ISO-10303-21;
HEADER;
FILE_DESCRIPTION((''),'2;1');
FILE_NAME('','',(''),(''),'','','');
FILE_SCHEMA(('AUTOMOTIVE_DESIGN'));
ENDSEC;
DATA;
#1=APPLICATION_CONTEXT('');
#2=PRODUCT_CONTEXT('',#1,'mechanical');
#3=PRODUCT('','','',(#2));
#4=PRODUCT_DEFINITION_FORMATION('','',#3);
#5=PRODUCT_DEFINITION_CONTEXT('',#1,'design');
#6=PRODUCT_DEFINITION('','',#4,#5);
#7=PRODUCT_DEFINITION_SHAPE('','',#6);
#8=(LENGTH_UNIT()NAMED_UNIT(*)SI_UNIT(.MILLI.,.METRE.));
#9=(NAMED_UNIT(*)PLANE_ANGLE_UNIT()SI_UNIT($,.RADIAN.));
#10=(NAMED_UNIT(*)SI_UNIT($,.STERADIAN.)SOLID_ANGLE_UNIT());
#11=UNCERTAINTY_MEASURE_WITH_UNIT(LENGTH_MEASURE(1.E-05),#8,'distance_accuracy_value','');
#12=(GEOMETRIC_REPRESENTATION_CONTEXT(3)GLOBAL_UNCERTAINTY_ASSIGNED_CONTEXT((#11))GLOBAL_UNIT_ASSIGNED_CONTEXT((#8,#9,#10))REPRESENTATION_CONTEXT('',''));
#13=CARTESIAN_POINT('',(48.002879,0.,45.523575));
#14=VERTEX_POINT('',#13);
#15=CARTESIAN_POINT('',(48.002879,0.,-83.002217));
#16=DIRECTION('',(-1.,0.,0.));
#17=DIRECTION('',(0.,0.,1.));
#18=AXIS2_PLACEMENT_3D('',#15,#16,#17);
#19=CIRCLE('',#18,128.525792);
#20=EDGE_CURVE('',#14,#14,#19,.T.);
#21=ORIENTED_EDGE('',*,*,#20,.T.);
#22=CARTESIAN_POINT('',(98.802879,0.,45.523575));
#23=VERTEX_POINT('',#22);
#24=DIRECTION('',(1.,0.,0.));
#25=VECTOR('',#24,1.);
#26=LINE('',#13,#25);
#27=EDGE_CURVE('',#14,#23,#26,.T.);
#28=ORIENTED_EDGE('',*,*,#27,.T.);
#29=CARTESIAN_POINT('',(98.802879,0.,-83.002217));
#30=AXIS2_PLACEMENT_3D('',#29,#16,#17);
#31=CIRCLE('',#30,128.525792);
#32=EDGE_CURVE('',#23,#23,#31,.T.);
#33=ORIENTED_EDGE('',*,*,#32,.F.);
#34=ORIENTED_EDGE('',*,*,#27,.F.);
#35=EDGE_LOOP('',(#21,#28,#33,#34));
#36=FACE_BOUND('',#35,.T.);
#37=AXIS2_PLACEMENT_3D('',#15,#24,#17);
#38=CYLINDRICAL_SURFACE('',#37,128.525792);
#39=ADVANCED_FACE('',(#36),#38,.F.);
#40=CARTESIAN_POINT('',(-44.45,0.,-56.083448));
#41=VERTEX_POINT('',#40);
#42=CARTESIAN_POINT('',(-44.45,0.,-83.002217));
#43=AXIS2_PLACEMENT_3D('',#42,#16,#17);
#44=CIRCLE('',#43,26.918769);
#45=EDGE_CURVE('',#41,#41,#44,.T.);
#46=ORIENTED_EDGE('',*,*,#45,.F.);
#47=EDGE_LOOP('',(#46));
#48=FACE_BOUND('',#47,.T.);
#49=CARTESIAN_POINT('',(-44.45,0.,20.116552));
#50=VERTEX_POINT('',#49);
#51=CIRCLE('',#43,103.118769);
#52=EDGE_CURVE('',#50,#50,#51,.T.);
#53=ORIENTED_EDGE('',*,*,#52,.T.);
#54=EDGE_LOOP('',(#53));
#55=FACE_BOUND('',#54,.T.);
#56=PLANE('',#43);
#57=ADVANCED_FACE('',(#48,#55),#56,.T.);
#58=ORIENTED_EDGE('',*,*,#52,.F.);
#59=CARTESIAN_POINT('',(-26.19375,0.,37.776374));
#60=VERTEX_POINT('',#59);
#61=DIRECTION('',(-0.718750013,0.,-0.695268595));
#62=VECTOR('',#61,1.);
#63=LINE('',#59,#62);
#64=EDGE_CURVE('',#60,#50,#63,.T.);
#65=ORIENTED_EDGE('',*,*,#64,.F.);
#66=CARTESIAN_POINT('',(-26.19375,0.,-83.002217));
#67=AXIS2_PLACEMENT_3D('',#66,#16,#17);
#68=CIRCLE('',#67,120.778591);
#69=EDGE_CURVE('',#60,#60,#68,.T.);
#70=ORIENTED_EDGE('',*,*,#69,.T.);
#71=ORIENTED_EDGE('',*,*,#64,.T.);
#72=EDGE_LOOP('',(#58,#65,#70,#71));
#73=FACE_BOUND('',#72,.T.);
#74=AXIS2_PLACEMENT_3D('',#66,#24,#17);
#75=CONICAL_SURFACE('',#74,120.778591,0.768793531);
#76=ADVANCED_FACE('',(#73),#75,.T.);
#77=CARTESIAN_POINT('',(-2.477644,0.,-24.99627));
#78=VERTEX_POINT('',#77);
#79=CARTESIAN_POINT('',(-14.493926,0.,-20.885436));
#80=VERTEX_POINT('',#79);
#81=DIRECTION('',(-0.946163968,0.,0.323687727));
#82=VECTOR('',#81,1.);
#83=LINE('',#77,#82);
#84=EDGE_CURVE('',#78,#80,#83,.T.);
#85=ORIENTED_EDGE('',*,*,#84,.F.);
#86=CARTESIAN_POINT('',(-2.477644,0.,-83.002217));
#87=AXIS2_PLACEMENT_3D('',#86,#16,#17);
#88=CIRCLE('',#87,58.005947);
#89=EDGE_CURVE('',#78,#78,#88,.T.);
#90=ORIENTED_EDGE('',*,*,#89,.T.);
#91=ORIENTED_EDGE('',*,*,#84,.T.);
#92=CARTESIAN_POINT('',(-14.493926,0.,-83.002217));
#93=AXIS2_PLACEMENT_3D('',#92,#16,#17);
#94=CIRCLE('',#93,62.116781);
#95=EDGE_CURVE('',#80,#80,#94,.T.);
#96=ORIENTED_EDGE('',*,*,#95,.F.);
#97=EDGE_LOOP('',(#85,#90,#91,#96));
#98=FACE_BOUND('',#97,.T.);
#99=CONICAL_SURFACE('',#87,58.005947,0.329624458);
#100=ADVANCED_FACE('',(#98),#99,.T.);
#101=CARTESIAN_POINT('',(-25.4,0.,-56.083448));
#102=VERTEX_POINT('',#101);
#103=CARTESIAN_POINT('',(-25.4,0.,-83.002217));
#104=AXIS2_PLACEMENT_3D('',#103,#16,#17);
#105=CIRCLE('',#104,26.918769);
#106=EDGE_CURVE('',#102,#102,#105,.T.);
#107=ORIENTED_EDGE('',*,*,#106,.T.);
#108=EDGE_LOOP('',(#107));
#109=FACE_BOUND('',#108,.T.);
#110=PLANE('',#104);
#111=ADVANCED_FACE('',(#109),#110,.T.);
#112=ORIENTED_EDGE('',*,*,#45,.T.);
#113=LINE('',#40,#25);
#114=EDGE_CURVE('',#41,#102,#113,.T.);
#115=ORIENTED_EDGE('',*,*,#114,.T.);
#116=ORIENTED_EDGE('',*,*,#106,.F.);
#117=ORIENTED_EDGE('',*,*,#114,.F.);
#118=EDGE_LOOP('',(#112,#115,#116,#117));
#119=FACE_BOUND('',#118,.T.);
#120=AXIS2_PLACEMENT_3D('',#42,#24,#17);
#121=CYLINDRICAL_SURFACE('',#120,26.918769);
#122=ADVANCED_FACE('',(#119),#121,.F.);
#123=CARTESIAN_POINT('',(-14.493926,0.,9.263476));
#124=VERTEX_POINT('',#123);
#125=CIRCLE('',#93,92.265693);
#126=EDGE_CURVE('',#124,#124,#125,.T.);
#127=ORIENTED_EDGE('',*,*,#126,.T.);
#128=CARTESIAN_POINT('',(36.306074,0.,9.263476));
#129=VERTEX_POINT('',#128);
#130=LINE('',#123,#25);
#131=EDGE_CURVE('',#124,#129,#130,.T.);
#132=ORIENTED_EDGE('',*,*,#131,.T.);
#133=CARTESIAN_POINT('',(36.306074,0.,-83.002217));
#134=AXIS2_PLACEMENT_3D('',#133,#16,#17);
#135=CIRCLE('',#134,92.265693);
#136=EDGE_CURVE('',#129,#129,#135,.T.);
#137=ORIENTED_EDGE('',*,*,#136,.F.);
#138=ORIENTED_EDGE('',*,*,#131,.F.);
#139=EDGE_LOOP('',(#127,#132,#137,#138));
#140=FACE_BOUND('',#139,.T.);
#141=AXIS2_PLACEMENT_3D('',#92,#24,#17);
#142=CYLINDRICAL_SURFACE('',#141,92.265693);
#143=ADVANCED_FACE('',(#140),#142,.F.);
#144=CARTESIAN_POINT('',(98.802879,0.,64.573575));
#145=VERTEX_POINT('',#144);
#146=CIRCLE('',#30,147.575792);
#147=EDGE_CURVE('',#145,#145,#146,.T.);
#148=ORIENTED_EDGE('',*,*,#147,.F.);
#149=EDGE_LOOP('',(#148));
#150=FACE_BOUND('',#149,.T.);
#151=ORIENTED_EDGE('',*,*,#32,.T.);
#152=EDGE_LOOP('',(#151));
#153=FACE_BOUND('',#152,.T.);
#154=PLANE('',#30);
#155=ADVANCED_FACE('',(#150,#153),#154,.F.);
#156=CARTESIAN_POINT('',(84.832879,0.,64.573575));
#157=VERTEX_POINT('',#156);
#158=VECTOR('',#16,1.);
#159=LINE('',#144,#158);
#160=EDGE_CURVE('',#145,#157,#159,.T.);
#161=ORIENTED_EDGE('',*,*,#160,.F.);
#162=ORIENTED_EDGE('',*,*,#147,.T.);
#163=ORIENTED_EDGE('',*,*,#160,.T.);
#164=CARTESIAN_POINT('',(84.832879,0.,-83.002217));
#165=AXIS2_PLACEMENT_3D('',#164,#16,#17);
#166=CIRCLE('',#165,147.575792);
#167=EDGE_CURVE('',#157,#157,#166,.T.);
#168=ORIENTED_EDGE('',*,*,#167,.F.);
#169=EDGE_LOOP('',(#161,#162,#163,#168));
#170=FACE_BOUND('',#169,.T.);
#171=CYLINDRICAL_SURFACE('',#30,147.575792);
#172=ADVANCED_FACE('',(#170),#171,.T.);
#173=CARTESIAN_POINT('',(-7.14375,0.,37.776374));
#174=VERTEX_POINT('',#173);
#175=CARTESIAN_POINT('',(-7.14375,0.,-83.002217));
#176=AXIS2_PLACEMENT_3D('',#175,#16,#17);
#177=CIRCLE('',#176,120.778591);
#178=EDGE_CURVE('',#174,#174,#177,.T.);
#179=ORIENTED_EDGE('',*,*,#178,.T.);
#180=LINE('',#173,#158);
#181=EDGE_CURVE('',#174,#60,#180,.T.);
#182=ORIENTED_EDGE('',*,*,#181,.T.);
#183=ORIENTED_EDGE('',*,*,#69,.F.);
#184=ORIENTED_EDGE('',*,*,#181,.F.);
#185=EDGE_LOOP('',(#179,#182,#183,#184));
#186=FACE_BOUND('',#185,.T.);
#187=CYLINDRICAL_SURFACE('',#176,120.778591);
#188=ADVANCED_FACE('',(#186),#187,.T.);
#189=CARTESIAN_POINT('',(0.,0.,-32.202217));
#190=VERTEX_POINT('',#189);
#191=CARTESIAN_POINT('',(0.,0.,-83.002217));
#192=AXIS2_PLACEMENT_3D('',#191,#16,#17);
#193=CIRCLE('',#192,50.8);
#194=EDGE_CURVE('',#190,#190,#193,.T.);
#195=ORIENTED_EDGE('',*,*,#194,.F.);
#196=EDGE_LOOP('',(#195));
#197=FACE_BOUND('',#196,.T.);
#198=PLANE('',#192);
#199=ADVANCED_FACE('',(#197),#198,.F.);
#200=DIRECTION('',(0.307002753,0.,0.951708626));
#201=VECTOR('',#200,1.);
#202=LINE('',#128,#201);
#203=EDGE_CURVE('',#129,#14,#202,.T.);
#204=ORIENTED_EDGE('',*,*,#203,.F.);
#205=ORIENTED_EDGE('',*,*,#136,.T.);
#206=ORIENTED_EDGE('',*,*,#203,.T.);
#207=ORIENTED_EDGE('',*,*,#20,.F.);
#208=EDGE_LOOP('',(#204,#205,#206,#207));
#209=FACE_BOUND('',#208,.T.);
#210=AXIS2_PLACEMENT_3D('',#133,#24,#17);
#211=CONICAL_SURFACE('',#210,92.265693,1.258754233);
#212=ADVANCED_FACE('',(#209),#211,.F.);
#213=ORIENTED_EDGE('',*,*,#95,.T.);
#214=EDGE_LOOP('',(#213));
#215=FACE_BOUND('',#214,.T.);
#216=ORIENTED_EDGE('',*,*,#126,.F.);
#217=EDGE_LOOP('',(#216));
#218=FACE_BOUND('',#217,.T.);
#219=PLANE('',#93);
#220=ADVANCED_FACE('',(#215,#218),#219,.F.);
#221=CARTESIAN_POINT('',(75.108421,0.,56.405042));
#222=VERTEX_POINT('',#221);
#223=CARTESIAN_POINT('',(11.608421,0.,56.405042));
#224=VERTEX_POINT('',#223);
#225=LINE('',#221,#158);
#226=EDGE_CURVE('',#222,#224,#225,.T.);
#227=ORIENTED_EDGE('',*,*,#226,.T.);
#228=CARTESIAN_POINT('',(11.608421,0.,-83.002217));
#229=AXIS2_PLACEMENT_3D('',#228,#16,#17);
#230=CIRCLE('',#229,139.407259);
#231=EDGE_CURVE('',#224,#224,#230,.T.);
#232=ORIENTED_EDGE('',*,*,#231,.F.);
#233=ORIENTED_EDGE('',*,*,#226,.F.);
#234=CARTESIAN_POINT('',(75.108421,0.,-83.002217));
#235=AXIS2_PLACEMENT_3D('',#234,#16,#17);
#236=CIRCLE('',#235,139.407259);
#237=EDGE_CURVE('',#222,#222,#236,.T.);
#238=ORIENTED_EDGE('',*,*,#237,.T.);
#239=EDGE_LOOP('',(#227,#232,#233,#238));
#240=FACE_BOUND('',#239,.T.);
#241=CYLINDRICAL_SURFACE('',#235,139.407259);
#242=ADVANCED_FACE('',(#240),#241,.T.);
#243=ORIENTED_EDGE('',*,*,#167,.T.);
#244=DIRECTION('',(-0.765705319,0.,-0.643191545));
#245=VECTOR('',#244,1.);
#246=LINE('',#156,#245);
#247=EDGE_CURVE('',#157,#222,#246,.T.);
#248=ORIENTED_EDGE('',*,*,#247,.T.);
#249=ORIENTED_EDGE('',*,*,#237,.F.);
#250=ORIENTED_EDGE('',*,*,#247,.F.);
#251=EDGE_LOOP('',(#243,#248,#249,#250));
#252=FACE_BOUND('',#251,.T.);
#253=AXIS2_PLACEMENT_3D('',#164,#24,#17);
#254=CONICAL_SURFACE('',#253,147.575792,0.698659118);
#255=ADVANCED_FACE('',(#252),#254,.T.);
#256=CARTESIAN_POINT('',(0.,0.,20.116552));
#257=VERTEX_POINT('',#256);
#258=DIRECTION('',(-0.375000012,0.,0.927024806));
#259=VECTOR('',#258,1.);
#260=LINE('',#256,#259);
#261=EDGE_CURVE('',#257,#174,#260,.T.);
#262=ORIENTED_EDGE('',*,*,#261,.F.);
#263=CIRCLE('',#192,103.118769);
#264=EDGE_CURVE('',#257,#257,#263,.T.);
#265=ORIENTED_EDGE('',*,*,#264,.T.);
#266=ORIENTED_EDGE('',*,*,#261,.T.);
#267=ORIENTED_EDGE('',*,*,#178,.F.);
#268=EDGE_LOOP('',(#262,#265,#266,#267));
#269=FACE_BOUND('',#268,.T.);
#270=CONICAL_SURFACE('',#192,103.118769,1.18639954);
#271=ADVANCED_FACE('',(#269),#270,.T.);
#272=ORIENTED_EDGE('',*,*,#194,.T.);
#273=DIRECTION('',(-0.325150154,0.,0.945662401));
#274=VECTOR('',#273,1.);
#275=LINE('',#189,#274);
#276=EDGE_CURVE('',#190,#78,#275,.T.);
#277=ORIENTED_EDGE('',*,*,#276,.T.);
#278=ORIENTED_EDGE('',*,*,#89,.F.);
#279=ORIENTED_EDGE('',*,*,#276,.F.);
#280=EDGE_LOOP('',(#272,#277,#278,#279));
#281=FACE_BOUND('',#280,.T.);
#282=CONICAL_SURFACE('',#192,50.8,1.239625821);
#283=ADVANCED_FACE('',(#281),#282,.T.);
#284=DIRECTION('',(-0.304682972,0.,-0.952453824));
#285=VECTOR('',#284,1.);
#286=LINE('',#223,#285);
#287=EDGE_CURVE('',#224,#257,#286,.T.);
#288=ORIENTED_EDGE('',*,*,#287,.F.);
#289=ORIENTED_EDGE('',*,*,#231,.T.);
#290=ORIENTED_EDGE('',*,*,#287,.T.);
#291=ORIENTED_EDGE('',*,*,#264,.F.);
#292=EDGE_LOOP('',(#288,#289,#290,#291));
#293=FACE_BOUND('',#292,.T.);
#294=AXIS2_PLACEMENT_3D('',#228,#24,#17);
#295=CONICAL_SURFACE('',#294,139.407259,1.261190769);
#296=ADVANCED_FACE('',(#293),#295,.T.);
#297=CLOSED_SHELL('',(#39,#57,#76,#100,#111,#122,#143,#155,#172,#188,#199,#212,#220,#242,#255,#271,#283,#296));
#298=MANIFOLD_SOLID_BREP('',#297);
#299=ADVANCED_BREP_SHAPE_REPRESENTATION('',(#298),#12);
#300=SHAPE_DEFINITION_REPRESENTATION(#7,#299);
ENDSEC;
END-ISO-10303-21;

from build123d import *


with BuildPart() as f1:
    # F0 (on Front) → F1 (revolve)
    with BuildSketch(Plane.XZ):
        Polygon((-26.19375, 37.776374), (-44.45, 20.116552), (-44.45, -56.083448), (-25.4, -56.083448), (-25.4, -83.002217), (0, -83.002217), (0, -32.202217), (-2.477644, -24.99627), (-14.493926, -20.885436), (-14.493926, 9.263476), (36.306074, 9.263476), (48.002879, 45.523575), (98.802879, 45.523575), (98.802879, 64.573575), (84.832879, 64.573575), (75.108421, 56.405042), (37.008421, 56.405042), (11.608421, 56.405042), (0, 20.116552), (-7.14375, 37.776374), align=None)
    revolve(axis=Axis((-12.7, 0, -83.002217), (-1, 0, 0)))


solid = f1.part
